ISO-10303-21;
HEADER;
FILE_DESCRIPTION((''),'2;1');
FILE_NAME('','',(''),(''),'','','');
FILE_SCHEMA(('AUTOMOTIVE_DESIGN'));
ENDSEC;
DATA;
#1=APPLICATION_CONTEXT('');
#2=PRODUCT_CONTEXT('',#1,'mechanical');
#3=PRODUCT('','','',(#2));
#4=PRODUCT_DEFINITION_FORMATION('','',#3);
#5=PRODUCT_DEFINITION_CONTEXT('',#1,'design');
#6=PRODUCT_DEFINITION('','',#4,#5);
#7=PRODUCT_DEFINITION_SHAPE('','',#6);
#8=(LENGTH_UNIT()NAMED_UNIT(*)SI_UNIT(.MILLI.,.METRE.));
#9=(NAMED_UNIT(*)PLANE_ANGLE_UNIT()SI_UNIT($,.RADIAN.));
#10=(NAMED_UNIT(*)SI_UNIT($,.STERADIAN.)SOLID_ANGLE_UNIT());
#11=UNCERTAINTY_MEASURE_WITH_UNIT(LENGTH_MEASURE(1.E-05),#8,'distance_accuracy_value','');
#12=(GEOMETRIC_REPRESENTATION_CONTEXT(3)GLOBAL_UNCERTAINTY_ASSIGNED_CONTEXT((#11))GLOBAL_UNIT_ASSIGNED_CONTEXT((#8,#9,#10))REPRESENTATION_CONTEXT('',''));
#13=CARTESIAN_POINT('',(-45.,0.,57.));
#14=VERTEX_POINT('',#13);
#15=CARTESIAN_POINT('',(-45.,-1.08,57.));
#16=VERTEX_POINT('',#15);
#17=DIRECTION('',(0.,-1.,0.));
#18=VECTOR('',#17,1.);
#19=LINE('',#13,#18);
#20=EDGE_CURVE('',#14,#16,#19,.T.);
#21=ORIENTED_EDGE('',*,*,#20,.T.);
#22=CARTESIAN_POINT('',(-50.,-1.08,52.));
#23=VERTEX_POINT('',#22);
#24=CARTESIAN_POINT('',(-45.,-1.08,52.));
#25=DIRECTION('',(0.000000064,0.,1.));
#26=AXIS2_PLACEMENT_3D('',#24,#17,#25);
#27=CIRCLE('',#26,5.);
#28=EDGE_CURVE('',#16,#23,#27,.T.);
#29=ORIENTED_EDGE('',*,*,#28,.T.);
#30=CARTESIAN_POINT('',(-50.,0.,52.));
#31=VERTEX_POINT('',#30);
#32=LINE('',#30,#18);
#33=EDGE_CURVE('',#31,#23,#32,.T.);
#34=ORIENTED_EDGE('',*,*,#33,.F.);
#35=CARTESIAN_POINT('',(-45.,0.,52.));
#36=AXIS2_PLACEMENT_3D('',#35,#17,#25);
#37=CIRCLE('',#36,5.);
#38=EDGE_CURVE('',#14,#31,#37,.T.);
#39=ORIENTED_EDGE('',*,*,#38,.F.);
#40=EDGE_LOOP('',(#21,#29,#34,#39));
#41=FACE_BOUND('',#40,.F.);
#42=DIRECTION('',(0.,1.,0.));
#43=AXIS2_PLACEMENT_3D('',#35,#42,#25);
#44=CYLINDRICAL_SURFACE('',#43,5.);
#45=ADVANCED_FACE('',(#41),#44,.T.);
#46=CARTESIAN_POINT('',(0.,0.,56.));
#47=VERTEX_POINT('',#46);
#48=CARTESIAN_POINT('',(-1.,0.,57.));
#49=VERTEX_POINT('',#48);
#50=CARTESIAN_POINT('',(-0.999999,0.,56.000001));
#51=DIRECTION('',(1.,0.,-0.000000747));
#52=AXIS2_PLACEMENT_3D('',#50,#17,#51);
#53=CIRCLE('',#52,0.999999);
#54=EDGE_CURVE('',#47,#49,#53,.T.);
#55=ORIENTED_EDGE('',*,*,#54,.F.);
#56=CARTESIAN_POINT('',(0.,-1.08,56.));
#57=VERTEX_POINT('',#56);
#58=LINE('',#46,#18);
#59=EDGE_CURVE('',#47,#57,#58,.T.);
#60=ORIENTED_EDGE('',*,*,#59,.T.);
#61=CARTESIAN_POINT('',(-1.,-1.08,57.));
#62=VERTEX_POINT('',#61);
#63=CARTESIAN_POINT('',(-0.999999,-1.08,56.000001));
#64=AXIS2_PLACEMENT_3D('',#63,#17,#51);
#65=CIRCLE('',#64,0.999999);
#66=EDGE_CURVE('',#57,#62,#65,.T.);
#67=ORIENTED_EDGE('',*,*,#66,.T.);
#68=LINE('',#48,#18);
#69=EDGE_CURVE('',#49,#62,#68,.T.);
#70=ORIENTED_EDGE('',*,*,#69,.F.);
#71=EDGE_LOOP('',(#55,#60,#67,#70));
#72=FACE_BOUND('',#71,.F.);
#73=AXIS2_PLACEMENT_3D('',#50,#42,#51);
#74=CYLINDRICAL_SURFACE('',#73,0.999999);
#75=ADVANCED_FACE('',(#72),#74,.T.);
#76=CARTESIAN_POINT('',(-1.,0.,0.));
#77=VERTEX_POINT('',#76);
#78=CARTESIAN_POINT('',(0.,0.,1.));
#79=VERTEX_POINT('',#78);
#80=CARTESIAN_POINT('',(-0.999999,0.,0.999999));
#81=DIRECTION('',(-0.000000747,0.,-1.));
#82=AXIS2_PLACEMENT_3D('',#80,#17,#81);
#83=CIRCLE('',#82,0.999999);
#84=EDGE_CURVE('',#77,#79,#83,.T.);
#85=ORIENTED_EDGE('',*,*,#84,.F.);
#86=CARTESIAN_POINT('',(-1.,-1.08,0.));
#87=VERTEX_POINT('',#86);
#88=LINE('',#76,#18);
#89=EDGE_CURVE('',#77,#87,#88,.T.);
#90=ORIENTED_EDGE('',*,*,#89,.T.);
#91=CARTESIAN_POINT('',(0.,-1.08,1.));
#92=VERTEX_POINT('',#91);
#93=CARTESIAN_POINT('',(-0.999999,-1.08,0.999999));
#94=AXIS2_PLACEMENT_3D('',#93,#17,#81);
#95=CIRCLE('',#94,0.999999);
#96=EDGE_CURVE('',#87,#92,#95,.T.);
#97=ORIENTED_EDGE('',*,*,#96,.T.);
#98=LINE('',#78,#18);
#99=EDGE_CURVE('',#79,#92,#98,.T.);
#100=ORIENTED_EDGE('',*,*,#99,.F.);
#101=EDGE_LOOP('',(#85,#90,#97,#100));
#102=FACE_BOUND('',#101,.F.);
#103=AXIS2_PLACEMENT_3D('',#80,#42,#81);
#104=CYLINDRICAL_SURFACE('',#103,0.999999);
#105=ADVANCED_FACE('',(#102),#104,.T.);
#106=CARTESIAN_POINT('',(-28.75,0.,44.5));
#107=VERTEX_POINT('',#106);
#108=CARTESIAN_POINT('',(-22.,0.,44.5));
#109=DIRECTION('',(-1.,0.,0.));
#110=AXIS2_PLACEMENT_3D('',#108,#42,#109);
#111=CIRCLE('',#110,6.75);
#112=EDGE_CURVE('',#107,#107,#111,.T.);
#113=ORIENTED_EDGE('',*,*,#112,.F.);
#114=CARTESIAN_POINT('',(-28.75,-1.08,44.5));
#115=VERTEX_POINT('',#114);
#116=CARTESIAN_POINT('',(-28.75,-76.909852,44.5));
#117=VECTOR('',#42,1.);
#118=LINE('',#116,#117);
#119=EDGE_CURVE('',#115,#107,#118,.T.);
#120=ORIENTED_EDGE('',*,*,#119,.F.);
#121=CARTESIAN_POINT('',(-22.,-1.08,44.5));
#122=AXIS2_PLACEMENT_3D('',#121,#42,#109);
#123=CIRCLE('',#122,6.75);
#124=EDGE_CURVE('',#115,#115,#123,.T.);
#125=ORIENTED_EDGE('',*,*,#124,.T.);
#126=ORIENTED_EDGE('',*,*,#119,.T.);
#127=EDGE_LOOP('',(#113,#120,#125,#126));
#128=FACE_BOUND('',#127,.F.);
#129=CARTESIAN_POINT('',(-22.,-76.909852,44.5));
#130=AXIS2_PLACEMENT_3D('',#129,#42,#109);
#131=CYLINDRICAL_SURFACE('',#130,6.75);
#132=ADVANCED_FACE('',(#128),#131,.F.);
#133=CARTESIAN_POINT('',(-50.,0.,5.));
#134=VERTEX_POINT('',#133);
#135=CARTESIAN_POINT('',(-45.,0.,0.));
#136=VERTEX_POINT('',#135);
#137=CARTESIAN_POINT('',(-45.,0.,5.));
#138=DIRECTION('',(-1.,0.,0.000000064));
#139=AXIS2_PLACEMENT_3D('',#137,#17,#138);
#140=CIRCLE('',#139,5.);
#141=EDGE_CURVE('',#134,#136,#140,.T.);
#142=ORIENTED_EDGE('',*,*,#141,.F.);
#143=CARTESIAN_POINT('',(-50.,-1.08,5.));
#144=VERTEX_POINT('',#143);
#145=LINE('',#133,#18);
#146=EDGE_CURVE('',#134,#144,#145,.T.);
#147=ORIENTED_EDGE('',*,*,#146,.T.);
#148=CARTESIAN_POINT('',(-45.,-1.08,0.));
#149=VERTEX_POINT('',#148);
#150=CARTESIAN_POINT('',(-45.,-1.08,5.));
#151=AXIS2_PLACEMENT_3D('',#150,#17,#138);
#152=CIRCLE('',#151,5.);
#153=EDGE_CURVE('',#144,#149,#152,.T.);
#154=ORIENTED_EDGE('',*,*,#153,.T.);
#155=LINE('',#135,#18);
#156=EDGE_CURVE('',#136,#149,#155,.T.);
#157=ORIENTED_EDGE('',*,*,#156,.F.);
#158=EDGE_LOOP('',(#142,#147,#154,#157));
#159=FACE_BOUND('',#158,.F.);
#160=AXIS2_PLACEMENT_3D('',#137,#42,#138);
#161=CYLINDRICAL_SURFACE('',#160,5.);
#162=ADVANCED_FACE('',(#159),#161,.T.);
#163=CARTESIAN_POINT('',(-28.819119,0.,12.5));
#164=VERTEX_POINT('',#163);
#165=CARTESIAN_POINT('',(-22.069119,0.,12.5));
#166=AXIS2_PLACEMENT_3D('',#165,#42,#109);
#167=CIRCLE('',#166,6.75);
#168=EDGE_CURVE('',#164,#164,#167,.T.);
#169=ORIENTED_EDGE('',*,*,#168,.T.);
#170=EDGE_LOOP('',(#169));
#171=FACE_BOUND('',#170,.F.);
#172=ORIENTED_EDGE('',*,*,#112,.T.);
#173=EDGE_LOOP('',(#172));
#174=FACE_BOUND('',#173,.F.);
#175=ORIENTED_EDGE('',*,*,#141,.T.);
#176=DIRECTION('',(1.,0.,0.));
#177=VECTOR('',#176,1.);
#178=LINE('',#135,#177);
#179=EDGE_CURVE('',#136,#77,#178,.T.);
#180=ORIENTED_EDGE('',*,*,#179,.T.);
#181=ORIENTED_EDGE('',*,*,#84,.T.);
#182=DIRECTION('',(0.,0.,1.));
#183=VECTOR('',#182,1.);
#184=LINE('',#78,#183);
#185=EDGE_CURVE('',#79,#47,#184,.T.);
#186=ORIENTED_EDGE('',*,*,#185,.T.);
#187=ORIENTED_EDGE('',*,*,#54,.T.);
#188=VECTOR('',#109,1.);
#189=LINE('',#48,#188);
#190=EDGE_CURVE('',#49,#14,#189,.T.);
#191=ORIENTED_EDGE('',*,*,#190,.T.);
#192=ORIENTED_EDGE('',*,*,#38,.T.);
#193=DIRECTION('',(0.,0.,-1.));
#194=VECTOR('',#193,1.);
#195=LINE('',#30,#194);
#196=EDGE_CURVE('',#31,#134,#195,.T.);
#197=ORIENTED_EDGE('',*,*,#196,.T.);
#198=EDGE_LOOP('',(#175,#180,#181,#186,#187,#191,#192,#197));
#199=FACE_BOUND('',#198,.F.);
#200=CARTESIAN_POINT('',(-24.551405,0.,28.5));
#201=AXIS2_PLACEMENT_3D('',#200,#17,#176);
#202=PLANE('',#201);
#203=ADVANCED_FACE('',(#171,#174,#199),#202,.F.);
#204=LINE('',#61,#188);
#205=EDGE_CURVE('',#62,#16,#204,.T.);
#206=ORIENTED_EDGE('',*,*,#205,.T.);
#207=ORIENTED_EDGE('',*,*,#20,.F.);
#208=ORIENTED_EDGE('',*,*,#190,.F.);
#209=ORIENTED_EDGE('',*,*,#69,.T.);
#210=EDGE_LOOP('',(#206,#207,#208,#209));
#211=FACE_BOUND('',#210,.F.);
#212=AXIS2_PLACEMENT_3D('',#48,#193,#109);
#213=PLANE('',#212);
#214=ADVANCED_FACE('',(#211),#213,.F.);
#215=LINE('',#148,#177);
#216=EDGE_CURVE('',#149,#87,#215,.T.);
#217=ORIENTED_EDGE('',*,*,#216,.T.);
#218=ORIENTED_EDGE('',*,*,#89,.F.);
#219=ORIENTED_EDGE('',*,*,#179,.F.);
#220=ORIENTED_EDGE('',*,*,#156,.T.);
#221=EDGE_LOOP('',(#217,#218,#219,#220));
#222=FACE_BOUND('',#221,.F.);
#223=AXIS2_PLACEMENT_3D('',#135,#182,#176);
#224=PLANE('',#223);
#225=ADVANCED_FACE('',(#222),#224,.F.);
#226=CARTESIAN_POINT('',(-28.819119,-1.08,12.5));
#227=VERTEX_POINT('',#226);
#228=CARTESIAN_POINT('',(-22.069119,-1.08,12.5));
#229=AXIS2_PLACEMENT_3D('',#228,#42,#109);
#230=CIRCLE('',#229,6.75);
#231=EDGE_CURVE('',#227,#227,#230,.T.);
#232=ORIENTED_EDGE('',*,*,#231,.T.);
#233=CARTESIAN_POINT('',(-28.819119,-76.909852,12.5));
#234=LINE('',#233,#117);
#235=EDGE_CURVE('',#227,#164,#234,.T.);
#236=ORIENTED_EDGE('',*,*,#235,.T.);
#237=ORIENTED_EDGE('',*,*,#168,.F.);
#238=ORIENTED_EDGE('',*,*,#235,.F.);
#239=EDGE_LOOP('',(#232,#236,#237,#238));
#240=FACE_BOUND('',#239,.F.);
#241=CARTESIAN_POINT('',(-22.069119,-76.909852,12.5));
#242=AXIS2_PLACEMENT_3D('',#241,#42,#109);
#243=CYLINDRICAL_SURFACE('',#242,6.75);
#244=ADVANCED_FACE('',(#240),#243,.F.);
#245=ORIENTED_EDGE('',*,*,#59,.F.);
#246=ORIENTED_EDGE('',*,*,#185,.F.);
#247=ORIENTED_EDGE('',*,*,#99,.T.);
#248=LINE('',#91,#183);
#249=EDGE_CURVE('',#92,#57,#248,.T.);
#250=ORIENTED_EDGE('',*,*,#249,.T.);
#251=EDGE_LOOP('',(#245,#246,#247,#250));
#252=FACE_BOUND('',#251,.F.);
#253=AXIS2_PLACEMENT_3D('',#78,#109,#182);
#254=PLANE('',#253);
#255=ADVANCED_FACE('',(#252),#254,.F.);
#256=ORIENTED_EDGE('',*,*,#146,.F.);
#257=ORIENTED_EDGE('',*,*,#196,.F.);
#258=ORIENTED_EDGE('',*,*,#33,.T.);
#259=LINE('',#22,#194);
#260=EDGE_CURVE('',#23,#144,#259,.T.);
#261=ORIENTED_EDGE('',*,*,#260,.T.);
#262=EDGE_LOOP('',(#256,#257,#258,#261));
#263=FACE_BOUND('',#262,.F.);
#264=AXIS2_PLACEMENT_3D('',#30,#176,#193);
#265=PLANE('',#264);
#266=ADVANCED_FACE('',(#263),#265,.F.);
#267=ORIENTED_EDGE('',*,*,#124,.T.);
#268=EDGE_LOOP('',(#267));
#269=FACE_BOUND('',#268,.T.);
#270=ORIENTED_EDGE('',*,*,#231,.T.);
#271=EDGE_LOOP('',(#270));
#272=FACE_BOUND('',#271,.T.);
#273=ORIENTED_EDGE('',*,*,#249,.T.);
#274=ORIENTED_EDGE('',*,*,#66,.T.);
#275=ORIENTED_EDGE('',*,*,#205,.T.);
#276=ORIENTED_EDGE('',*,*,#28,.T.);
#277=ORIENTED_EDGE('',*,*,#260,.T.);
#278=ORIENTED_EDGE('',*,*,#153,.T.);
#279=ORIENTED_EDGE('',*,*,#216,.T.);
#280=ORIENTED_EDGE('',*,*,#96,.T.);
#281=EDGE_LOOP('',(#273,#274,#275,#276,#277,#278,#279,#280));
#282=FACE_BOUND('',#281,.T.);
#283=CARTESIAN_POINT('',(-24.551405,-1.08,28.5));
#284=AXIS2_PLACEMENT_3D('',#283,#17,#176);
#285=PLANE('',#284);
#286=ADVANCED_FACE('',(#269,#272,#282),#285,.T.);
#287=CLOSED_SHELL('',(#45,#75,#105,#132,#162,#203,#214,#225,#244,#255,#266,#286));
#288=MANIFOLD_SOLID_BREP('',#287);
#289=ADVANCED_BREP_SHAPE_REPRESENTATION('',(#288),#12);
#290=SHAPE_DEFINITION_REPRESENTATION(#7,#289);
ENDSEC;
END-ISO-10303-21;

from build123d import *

# Parameters (mm, degrees)
F1_DEPTH = 1.08
F3_D     = 13.5


with BuildPart() as f1:
    # F0 (on Front) → F1 (new body)
    with BuildSketch(Plane.XZ):
        with BuildLine():
            Line((-45, 0), (-1, 0))
            ThreePointArc((-1, 0), (-0.292893, 0.292893), (0, 1))
            Line((0, 1), (0, 56))
            ThreePointArc((0, 56), (-0.292893, 56.707107), (-1, 57))
            Line((-1, 57), (-45, 57))
            ThreePointArc((-45, 57), (-48.535534, 55.535534), (-50, 52))
            Line((-50, 52), (-50, 5))
            ThreePointArc((-50, 5), (-48.535534, 1.464466), (-45, 0))
        make_face()
    extrude(amount=F1_DEPTH)

    # F3 (through all)
    with Locations(Plane.XZ.offset(1.08)):
        with Locations((-22, 44.5), (-22.069119, 12.5)):
            Hole(F3_D / 2)


solid = f1.part
